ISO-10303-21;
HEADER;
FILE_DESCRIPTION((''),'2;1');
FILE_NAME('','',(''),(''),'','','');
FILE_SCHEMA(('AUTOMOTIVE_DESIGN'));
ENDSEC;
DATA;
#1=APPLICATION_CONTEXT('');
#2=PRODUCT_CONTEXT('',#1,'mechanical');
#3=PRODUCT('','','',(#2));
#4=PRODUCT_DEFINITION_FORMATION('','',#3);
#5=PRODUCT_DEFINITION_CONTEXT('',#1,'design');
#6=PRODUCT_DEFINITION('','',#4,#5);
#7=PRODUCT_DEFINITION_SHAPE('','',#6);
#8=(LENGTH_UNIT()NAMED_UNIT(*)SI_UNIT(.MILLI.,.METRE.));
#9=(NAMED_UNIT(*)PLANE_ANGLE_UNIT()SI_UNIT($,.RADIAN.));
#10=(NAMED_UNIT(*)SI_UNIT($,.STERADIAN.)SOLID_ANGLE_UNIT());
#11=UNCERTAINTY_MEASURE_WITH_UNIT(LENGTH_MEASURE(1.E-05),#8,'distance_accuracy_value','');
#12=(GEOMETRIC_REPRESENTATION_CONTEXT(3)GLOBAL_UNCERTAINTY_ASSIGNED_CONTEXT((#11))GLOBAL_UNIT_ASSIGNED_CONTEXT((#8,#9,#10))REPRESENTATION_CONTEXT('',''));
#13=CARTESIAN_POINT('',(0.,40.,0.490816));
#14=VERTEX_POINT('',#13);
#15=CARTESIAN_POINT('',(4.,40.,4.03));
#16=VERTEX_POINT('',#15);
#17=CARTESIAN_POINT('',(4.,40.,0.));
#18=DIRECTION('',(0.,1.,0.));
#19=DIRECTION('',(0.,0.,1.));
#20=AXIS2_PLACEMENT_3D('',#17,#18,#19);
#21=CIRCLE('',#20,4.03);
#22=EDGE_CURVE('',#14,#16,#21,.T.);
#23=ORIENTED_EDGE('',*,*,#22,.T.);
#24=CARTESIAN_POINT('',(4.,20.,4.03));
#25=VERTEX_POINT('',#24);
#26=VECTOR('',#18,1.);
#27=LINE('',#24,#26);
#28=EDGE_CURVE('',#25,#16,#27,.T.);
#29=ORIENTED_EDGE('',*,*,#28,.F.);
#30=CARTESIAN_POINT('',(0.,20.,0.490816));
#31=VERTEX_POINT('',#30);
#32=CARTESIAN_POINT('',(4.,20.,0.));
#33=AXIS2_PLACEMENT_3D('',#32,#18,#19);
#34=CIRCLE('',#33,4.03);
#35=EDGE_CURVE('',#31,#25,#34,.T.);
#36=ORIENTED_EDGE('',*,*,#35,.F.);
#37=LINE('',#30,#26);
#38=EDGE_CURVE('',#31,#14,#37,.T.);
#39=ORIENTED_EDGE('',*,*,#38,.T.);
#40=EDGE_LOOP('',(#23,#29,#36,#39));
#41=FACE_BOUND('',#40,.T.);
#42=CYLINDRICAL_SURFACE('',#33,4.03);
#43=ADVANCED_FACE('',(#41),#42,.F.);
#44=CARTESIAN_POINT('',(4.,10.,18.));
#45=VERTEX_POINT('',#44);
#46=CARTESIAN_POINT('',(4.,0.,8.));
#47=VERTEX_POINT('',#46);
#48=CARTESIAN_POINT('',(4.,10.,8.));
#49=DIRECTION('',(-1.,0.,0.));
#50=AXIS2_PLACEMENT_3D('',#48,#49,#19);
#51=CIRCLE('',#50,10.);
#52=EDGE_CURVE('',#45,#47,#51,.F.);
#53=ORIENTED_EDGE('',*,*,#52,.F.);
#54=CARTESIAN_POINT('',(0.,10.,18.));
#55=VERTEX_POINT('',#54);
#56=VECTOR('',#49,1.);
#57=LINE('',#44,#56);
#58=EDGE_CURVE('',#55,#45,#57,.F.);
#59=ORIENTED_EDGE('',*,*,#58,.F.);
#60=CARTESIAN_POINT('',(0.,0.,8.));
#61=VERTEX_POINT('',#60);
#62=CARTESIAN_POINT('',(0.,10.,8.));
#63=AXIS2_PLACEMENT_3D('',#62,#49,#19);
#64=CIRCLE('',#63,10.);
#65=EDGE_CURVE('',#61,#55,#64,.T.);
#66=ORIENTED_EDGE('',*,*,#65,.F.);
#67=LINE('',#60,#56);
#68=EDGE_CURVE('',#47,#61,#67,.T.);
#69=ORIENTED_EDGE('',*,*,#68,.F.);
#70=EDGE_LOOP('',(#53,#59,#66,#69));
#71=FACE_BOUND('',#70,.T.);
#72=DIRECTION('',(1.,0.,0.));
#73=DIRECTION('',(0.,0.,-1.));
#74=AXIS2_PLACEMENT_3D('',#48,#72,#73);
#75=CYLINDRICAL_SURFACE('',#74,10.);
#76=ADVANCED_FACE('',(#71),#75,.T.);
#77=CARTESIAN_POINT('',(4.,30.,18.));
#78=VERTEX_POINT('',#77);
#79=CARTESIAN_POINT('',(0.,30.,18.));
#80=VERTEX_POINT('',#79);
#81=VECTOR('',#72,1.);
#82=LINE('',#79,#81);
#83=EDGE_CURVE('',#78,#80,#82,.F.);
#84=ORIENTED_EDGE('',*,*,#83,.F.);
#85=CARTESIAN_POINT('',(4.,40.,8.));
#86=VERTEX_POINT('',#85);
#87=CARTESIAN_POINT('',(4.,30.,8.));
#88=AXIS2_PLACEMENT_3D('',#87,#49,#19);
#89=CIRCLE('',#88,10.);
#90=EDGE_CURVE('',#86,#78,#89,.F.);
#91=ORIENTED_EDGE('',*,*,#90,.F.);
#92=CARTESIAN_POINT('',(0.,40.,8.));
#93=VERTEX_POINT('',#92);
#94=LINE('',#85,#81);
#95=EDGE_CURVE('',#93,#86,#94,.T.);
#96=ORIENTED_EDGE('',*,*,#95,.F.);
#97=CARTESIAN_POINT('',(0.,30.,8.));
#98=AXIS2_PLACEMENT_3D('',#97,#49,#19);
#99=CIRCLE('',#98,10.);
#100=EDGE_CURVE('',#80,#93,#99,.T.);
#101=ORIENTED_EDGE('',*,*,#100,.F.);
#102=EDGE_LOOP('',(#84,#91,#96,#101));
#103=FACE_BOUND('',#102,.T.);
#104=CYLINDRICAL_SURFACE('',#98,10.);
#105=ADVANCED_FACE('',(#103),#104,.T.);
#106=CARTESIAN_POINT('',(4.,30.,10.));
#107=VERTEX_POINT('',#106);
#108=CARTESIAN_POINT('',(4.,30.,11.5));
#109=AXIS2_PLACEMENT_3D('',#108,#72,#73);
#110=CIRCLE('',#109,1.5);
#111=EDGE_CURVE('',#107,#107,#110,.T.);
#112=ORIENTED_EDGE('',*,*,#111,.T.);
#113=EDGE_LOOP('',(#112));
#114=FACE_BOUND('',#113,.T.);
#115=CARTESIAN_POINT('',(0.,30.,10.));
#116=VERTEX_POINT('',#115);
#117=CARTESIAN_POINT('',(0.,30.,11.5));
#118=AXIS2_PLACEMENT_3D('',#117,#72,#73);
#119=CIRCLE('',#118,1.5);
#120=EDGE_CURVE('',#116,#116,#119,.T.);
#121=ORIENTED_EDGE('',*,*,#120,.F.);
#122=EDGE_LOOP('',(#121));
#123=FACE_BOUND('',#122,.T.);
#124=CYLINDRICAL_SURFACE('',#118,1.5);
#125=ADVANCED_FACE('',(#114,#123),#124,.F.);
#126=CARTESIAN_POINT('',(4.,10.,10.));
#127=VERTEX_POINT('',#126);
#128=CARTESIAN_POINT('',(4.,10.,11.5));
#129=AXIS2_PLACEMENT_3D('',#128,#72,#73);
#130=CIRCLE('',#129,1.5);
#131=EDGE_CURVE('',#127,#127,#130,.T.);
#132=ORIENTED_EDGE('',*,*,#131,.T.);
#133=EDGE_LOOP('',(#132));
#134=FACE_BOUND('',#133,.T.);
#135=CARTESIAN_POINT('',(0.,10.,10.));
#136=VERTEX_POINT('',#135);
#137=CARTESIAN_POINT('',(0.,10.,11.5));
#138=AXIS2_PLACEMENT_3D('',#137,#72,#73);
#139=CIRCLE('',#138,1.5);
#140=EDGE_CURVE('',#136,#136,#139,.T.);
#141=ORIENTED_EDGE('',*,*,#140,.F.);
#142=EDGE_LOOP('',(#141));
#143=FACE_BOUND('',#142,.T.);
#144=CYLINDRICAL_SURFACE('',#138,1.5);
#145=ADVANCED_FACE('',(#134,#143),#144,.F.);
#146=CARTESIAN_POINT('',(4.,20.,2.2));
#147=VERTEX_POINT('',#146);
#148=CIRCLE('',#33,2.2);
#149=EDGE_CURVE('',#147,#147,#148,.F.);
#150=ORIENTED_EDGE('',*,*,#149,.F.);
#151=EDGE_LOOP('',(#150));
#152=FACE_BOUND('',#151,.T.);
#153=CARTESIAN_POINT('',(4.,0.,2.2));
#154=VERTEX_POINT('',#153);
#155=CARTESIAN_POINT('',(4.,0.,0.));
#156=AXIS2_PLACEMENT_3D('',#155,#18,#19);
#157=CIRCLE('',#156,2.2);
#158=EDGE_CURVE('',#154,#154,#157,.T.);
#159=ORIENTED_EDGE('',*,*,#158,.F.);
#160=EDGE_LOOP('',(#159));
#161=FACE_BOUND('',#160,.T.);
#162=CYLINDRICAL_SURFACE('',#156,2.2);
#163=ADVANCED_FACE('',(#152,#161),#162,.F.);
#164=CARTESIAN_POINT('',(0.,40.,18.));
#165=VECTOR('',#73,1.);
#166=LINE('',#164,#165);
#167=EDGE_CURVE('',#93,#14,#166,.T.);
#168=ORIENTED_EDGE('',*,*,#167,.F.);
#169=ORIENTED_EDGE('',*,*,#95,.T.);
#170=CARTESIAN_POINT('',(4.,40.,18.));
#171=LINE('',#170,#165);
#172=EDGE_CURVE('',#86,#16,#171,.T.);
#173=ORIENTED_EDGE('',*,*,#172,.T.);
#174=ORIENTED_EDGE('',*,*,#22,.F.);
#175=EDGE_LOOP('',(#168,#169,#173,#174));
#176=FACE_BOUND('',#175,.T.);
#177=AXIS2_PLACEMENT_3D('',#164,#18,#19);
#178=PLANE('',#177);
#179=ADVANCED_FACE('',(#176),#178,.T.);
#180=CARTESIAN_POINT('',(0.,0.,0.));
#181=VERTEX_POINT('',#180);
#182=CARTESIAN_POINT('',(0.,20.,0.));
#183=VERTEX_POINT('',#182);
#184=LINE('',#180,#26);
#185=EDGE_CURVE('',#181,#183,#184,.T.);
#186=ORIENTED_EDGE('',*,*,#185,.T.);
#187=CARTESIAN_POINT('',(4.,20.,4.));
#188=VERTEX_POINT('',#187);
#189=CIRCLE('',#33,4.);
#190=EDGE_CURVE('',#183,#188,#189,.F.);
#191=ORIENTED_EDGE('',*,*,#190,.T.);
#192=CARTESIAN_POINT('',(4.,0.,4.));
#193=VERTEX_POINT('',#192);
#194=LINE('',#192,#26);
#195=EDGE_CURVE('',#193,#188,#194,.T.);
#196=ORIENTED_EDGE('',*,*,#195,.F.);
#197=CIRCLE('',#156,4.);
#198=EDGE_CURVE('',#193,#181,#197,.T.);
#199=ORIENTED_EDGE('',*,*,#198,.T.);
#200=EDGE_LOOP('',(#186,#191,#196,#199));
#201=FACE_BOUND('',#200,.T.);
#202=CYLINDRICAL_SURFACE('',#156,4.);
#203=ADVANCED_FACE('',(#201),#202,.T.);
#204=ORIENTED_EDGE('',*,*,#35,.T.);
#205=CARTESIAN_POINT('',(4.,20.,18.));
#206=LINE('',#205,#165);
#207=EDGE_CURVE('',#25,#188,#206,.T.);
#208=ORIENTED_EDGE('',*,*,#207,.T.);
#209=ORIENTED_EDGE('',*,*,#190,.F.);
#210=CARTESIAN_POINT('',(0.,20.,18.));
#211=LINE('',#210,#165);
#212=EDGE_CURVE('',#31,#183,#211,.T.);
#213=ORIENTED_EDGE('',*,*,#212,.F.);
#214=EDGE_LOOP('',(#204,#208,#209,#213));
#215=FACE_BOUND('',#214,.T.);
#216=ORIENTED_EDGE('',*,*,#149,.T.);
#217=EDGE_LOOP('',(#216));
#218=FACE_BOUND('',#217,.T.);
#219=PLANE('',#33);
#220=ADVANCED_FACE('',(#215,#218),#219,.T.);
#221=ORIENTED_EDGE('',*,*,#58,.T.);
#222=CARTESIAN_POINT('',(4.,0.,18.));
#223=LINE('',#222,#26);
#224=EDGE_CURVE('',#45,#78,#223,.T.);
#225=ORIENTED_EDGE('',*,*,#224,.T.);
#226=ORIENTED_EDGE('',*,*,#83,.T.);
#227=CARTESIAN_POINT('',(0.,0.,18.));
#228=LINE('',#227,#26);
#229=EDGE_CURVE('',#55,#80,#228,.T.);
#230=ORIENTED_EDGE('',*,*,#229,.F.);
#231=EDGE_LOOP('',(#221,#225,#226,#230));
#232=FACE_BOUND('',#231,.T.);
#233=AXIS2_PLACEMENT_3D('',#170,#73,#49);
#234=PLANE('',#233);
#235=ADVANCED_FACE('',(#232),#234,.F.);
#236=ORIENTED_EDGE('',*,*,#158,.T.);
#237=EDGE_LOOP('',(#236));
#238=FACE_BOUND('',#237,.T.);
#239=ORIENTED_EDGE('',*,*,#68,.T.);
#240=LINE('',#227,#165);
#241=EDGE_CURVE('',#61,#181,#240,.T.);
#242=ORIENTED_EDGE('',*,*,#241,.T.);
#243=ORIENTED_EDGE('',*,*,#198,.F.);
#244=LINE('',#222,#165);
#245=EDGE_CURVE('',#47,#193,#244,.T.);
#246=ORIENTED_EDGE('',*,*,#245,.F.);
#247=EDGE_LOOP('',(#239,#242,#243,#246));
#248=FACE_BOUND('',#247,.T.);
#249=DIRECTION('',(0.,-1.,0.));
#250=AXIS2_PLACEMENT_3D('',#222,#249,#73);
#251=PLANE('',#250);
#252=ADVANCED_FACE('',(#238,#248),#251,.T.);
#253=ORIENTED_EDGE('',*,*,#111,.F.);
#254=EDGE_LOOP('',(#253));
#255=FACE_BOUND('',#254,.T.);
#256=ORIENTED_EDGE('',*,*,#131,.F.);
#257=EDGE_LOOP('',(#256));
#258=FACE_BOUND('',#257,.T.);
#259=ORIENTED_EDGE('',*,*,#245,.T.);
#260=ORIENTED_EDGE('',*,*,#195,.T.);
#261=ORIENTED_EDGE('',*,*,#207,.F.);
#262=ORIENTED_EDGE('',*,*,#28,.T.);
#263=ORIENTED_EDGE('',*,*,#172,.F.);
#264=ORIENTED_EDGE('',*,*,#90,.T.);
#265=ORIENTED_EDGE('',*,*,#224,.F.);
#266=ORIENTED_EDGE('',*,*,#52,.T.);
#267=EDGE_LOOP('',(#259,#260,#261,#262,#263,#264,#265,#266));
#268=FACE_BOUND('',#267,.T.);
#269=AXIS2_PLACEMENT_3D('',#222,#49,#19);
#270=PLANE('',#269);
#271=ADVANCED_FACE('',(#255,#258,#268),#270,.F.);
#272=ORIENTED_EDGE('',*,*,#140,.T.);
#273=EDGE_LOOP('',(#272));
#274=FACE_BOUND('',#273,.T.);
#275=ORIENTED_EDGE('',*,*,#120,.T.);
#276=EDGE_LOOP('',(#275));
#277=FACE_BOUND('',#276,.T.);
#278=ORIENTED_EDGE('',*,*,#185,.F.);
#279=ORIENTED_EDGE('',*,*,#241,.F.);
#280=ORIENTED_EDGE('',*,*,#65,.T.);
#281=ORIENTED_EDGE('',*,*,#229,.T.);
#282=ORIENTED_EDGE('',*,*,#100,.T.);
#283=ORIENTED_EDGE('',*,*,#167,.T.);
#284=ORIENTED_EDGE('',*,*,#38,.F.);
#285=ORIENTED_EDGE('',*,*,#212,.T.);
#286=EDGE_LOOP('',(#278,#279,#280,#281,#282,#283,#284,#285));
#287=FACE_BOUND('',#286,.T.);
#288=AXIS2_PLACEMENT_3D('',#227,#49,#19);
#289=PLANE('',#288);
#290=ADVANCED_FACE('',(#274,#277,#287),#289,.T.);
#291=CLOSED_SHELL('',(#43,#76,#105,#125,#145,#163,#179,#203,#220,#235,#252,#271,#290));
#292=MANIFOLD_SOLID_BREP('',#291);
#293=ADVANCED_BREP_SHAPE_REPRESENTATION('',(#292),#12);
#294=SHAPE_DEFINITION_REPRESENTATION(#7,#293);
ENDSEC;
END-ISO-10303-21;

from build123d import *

# Parameters (mm, degrees)
SKETCH1_W           = 4
SKETCH1_H           = 40
EXTRUDE_THIN2_DEPTH = 18
SKETCH4_R           = 4
SKETCH7_R           = 2.2
CUT_EXTRUDE2_DEPTH  = 45.586993619
SKETCH8_R           = 4.03
CUT_EXTRUDE5_DEPTH  = 20
SKETCH9_R           = 1.5
CUT_EXTRUDE6_DEPTH  = 45.045431091
FILLET1_R           = 10


with BuildPart() as part:
    # Sketch1 → Extrude-Thin2 (new body)
    with BuildSketch(Plane.XY):
        with Locations((2, 20)):
            Rectangle(SKETCH1_W, SKETCH1_H)
    extrude(amount=EXTRUDE_THIN2_DEPTH)

    # Sweep3: sweep along a curve in space
    with BuildLine() as sweep3_path:
        Line((4, 0, 0), (4, 40, 0))
    # Sketch4 → Sweep3 (sweep)
    with BuildSketch(Plane(origin=(0, 40, 0), x_dir=(1, 0, 0), z_dir=(0, 1, 0))):
        with Locations((4, 0)):
            Circle(SKETCH4_R)
    sweep(path=sweep3_path.line)

    # Sketch7 → Cut-Extrude2 (cut, through all)
    with BuildSketch(Plane(origin=(0, 40, 0), x_dir=(1, 0, 0), z_dir=(0, 1, 0))):
        with Locations(Location((4, 0, 0), (0, 0, 270))):
            Circle(SKETCH7_R)
    extrude(amount=-CUT_EXTRUDE2_DEPTH, mode=Mode.SUBTRACT)

    # Sketch8 → Cut-Extrude5 (cut)
    with BuildSketch(Plane(origin=(0, 40, 0), x_dir=(1, 0, 0), z_dir=(0, 1, 0))):
        with Locations((4, 0)):
            Circle(SKETCH8_R)
    extrude(amount=-CUT_EXTRUDE5_DEPTH, mode=Mode.SUBTRACT)

    # Sketch9 → Cut-Extrude6 (cut, through all)
    with BuildSketch(Plane(origin=(4, 0, 0), x_dir=(0, 0, -1), z_dir=(1, 0, 0))):
        with Locations((-11.5, 10)):
            Circle(SKETCH9_R)
        with Locations((-11.5, 30)):
            Circle(SKETCH9_R)
    extrude(amount=-CUT_EXTRUDE6_DEPTH, mode=Mode.SUBTRACT)

    # Fillet1
    fillet1_edges = [part.edges().sort_by_distance(p)[0] for p in [
        (2, 0, 18),
        (2, 40, 18),
    ]]
    fillet(fillet1_edges, radius=FILLET1_R)


solid = part.part
